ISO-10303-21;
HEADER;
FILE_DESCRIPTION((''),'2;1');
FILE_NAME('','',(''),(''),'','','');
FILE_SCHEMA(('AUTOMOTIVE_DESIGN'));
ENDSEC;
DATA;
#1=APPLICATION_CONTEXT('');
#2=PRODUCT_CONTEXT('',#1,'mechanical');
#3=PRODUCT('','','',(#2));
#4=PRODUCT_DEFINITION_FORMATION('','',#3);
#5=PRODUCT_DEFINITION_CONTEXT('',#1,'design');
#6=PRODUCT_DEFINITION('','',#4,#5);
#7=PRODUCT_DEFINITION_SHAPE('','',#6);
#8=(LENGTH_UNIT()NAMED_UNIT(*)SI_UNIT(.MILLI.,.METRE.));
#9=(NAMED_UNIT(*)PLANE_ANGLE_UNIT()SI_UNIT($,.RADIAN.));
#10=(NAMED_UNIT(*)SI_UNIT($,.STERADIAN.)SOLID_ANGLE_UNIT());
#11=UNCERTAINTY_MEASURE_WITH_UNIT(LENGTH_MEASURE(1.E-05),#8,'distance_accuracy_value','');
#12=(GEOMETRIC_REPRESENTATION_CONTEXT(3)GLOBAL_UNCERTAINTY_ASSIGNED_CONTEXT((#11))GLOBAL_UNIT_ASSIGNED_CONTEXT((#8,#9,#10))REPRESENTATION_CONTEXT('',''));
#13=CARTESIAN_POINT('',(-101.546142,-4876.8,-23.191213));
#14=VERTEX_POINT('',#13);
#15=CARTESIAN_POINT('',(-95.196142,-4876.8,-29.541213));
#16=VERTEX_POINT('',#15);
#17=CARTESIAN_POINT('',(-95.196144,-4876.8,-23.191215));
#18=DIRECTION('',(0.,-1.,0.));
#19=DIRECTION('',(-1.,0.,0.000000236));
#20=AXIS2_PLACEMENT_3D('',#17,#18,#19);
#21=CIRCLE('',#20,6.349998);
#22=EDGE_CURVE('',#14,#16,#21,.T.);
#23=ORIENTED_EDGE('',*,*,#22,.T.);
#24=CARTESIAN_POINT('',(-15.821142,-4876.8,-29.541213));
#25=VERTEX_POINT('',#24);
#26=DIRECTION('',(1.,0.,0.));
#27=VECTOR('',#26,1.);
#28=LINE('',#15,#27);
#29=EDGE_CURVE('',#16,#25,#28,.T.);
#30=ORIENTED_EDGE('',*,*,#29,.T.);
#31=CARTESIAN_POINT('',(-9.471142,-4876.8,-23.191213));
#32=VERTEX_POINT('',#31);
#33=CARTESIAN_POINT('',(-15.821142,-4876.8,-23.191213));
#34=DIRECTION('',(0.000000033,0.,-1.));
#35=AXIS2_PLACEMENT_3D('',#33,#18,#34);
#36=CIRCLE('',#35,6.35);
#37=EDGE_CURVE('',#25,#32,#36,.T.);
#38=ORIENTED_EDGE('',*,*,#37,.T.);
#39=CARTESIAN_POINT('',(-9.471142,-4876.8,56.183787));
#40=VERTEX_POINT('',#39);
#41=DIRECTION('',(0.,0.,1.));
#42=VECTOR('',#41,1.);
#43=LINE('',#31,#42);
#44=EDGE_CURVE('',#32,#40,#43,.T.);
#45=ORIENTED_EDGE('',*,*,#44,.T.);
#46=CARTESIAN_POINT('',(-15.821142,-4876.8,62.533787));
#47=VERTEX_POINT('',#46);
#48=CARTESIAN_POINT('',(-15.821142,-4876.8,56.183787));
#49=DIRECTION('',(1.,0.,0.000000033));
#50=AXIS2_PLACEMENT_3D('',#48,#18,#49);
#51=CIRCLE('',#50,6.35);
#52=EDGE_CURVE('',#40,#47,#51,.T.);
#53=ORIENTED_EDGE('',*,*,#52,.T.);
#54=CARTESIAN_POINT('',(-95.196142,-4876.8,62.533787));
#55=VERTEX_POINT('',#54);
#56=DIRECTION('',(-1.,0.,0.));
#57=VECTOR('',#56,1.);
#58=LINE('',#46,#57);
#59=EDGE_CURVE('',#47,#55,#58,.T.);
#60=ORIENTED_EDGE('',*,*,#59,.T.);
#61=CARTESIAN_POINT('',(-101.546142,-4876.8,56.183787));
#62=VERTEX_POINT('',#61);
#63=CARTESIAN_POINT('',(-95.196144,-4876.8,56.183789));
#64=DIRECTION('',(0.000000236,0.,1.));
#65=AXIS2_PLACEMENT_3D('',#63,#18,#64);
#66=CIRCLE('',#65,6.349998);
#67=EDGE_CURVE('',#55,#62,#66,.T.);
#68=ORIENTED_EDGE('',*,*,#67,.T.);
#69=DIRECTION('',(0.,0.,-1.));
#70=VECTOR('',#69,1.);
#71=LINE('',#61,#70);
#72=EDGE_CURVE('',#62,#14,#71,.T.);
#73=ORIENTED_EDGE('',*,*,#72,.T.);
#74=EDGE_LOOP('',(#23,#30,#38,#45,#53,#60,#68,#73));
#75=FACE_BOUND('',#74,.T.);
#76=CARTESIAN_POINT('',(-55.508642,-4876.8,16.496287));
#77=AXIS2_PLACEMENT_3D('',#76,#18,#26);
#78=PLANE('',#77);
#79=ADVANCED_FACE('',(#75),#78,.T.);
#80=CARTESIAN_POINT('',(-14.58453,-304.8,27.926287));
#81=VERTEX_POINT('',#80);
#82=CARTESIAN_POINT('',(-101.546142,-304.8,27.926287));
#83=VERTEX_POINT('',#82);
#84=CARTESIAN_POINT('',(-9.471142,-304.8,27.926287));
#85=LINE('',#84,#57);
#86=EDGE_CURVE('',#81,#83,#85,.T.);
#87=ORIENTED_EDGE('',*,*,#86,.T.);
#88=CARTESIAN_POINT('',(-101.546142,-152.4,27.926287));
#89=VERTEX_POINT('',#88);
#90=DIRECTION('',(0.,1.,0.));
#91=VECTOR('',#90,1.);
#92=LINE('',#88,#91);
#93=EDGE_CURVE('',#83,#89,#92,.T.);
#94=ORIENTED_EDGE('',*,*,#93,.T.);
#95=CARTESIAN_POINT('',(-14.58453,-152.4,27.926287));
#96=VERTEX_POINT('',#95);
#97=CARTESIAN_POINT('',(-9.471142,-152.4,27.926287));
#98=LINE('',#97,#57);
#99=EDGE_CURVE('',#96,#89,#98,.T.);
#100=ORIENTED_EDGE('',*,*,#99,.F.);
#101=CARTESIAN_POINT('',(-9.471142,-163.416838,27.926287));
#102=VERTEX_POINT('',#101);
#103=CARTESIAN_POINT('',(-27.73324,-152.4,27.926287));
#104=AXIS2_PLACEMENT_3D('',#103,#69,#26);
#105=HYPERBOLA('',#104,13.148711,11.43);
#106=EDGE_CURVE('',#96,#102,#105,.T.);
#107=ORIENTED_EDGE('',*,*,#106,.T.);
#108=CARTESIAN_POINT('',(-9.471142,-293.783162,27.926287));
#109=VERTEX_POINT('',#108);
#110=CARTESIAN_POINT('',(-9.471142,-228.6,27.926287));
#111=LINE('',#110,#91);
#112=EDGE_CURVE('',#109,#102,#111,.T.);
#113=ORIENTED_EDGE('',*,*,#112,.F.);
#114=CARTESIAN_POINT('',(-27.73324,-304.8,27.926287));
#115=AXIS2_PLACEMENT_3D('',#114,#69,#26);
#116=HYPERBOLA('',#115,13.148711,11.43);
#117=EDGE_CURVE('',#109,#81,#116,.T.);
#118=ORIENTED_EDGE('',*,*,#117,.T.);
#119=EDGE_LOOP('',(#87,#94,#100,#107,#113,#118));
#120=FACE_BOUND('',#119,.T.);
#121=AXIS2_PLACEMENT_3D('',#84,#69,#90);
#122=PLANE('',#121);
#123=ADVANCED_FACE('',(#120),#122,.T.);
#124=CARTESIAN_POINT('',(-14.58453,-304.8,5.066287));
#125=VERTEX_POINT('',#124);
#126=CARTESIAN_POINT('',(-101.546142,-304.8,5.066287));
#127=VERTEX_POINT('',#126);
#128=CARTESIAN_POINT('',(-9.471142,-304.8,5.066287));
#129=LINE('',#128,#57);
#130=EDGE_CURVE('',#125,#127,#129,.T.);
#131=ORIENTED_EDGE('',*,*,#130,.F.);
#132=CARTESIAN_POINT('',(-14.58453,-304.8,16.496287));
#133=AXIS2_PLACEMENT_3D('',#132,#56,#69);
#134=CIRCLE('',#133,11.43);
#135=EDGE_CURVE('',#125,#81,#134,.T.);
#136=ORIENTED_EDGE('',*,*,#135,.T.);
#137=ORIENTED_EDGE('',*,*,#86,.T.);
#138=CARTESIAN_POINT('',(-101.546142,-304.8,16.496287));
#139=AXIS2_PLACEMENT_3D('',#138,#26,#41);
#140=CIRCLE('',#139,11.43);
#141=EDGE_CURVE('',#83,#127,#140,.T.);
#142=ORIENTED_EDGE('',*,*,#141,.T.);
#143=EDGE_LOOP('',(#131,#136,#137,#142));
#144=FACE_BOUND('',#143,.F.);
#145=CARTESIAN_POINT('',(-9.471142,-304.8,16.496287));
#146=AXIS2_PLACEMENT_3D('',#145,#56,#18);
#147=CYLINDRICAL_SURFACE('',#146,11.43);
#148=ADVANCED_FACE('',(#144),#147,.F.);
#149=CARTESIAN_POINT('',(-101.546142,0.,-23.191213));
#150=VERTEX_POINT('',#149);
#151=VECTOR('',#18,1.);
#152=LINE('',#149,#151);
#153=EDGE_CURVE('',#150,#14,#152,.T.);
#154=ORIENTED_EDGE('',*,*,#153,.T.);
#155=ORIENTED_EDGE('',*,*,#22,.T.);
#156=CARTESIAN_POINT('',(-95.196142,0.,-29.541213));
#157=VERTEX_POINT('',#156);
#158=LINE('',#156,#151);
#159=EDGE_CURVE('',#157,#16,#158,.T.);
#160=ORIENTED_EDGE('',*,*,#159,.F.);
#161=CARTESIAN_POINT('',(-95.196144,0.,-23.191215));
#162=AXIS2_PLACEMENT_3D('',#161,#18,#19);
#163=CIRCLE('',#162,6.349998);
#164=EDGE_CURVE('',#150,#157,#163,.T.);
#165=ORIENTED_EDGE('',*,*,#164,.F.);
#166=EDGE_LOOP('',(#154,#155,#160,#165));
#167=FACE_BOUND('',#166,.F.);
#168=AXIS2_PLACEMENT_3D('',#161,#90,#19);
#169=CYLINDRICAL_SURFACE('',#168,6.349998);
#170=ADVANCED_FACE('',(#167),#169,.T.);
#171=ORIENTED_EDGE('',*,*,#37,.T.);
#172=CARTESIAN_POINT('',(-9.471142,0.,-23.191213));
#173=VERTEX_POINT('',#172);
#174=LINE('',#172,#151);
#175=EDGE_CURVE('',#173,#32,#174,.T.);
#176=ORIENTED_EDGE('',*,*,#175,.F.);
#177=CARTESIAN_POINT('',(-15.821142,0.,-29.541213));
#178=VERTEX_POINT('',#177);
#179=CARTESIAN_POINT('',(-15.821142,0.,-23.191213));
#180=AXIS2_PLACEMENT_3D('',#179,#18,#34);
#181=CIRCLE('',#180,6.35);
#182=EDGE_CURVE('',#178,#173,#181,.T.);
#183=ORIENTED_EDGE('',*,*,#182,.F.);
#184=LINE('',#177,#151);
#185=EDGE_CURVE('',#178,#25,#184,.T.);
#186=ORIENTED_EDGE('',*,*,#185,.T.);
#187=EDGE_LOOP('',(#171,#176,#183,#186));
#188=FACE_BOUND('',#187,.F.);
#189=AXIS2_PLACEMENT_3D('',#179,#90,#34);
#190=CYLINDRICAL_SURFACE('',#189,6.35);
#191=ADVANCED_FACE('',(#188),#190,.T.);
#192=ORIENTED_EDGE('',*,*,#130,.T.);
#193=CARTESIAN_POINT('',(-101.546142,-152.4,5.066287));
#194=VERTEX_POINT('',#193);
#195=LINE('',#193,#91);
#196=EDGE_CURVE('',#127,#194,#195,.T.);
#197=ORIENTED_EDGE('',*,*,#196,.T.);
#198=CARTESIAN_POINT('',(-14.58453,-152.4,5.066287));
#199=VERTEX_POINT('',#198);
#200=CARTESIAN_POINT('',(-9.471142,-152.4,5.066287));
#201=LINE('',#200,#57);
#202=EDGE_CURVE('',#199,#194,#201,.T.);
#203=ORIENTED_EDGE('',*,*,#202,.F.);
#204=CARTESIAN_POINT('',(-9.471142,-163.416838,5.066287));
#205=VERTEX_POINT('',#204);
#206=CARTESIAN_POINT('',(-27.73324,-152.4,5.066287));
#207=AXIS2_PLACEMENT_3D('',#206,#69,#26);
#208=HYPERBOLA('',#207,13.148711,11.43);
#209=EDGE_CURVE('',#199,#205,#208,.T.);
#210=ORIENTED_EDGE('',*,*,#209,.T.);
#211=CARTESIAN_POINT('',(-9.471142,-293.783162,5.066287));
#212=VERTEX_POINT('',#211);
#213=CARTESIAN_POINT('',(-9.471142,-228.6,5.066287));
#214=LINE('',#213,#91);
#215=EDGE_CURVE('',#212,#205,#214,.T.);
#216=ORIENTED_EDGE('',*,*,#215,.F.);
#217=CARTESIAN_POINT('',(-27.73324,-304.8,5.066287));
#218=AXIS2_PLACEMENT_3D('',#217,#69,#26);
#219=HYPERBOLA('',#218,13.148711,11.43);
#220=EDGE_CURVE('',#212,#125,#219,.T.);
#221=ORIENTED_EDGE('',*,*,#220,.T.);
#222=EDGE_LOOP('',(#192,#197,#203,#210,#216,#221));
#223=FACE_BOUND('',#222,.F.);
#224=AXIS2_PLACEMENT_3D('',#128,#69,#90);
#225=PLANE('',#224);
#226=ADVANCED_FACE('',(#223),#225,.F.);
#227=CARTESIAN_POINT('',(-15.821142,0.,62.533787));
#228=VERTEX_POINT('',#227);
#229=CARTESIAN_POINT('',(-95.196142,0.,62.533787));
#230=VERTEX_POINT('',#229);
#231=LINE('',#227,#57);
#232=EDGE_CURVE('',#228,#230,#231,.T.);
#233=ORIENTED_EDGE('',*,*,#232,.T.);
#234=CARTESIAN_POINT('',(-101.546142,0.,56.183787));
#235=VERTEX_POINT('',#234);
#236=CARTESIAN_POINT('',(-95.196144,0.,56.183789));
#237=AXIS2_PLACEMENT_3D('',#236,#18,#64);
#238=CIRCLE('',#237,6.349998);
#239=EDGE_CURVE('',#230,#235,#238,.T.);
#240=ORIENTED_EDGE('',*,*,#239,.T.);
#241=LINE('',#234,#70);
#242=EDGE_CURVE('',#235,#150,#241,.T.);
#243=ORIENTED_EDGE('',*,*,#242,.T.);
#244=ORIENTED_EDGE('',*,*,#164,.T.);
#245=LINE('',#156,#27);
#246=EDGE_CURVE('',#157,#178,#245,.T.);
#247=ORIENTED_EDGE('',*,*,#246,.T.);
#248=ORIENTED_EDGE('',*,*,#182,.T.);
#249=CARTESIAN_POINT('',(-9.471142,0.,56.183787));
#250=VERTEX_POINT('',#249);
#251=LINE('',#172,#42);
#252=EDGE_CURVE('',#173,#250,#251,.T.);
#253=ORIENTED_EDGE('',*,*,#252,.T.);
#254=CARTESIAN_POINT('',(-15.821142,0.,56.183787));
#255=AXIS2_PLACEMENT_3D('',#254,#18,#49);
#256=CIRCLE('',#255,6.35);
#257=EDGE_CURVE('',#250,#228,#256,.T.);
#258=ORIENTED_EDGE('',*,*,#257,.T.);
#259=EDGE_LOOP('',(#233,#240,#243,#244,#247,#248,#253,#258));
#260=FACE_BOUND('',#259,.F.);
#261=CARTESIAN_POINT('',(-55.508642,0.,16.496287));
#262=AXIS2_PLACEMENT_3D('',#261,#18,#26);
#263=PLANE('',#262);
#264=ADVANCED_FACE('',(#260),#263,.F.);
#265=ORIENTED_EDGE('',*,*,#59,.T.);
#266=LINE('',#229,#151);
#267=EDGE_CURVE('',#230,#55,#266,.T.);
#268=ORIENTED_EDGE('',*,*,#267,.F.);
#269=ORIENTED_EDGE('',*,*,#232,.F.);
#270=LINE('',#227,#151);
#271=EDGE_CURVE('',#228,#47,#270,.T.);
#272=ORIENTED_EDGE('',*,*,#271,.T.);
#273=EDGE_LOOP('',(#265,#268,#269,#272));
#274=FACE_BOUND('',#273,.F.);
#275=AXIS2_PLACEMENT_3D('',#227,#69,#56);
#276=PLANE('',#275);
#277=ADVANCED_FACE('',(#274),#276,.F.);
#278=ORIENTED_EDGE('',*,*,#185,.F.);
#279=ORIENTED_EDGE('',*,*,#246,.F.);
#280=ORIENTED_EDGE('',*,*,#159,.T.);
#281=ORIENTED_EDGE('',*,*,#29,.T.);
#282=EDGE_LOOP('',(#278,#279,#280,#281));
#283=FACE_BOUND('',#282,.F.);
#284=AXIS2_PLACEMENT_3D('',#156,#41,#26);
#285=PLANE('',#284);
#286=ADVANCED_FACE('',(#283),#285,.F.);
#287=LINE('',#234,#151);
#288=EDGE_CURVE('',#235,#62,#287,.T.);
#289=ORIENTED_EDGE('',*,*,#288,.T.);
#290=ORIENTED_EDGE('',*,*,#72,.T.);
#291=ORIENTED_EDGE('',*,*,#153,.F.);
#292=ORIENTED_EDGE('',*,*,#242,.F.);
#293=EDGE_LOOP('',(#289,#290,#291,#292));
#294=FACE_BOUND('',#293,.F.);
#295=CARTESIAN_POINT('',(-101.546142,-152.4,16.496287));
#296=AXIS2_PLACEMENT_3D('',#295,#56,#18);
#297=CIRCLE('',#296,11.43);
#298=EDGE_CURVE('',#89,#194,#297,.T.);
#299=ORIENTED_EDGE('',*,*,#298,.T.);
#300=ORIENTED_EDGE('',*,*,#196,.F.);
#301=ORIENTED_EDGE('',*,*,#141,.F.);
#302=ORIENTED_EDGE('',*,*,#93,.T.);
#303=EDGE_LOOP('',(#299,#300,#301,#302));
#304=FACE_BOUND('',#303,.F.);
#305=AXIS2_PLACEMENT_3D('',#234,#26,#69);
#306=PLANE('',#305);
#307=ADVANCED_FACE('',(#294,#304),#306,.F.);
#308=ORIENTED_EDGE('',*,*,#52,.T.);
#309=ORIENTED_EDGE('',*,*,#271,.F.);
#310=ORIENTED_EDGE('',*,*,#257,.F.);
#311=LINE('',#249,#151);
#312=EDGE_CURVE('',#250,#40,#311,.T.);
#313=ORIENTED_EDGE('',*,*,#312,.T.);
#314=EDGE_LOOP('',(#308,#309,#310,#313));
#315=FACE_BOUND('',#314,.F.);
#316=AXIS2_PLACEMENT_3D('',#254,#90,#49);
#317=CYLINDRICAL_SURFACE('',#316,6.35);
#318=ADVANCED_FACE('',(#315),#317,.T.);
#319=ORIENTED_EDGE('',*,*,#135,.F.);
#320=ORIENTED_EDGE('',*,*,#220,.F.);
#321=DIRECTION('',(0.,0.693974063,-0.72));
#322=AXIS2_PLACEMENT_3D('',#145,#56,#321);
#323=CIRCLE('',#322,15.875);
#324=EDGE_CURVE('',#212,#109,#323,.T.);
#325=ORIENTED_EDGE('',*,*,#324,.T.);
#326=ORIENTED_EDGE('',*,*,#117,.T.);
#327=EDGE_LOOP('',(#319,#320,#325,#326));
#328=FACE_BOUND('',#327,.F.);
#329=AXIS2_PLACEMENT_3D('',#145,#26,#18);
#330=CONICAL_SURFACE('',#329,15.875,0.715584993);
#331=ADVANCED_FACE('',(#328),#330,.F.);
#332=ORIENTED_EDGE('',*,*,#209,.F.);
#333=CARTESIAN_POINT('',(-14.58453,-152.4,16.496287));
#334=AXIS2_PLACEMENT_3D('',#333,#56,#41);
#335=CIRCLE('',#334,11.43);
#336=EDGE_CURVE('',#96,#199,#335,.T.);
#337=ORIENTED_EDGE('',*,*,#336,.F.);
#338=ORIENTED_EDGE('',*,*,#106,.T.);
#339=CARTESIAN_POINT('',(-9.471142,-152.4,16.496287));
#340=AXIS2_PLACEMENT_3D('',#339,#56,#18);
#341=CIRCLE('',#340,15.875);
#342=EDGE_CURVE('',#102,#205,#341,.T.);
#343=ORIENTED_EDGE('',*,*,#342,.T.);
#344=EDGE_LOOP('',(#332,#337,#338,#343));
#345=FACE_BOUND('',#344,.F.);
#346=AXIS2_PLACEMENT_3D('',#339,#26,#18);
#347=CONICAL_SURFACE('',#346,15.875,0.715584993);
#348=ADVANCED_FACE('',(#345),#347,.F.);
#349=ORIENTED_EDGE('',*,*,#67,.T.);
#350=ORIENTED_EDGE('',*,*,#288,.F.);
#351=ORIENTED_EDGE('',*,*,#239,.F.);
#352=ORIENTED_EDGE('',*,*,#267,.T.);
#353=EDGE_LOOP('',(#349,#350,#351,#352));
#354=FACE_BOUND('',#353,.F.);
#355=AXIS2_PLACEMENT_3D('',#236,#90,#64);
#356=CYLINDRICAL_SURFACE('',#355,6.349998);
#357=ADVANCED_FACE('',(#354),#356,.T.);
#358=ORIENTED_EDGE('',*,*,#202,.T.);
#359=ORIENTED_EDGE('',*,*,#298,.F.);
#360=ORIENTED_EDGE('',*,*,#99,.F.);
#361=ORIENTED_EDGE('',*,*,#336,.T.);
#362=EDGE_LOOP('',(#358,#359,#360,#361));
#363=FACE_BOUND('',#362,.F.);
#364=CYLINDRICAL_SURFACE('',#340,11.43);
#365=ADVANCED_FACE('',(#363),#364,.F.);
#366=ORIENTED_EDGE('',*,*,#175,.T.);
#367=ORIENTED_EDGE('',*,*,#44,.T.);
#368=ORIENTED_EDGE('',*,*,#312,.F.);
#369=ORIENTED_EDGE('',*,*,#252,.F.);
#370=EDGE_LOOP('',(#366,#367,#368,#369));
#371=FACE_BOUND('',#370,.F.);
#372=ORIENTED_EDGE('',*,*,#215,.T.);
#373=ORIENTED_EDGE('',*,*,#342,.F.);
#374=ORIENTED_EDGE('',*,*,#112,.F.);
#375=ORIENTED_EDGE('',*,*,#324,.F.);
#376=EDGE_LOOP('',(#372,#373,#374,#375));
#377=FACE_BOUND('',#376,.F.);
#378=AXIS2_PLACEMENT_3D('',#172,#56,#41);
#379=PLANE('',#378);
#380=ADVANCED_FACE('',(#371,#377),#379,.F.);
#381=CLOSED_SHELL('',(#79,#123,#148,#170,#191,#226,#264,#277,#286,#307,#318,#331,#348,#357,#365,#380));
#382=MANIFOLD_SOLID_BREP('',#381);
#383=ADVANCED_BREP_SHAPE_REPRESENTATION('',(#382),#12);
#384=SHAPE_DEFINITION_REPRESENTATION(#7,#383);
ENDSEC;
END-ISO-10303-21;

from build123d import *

# Parameters (mm, degrees)
F1_DEPTH       = 4876.8
F3_D           = 22.86
F3_CSINK_D     = 31.75
F3_CSINK_ANGLE = 82
F4_D           = 22.86
F4_CSINK_D     = 31.75
F4_CSINK_ANGLE = 82
F5_W           = 152.4
F5_H           = 22.86
F6_DEPTH       = 101.6


with BuildPart() as f1:
    # F0 (on Front) → F1 (new body)
    with BuildSketch(Plane.XZ):
        with BuildLine():
            Line((-15.821142, 62.533787), (-95.196142, 62.533787))
            ThreePointArc((-95.196142, 62.533787), (-99.686271, 60.673915), (-101.546142, 56.183787))
            Line((-101.546142, 56.183787), (-101.546142, -23.191213))
            ThreePointArc((-101.546142, -23.191213), (-99.686271, -27.681341), (-95.196142, -29.541213))
            Line((-95.196142, -29.541213), (-15.821142, -29.541213))
            ThreePointArc((-15.821142, -29.541213), (-11.331014, -27.681341), (-9.471142, -23.191213))
            Line((-9.471142, -23.191213), (-9.471142, 56.183787))
            ThreePointArc((-9.471142, 56.183787), (-11.331014, 60.673915), (-15.821142, 62.533787))
        make_face()
    extrude(amount=F1_DEPTH)

    # F3 (through all)
    with Locations(Plane.YZ.offset(-9.471142)):
        with Locations((-304.8, 16.496287)):
            CounterSinkHole(F3_D / 2, F3_CSINK_D / 2, counter_sink_angle=F3_CSINK_ANGLE)

    # F4 (through all)
    with Locations(Plane.YZ.offset(-9.471142)):
        with Locations((-152.4, 16.496287)):
            CounterSinkHole(F4_D / 2, F4_CSINK_D / 2, counter_sink_angle=F4_CSINK_ANGLE)

    # F5 (on face) → F6 (cut)
    with BuildSketch(Plane.YZ.offset(-9.471142)):
        with Locations((-228.6, 16.496287)):
            Rectangle(F5_W, F5_H)
    extrude(amount=-F6_DEPTH, mode=Mode.SUBTRACT)


solid = f1.part
